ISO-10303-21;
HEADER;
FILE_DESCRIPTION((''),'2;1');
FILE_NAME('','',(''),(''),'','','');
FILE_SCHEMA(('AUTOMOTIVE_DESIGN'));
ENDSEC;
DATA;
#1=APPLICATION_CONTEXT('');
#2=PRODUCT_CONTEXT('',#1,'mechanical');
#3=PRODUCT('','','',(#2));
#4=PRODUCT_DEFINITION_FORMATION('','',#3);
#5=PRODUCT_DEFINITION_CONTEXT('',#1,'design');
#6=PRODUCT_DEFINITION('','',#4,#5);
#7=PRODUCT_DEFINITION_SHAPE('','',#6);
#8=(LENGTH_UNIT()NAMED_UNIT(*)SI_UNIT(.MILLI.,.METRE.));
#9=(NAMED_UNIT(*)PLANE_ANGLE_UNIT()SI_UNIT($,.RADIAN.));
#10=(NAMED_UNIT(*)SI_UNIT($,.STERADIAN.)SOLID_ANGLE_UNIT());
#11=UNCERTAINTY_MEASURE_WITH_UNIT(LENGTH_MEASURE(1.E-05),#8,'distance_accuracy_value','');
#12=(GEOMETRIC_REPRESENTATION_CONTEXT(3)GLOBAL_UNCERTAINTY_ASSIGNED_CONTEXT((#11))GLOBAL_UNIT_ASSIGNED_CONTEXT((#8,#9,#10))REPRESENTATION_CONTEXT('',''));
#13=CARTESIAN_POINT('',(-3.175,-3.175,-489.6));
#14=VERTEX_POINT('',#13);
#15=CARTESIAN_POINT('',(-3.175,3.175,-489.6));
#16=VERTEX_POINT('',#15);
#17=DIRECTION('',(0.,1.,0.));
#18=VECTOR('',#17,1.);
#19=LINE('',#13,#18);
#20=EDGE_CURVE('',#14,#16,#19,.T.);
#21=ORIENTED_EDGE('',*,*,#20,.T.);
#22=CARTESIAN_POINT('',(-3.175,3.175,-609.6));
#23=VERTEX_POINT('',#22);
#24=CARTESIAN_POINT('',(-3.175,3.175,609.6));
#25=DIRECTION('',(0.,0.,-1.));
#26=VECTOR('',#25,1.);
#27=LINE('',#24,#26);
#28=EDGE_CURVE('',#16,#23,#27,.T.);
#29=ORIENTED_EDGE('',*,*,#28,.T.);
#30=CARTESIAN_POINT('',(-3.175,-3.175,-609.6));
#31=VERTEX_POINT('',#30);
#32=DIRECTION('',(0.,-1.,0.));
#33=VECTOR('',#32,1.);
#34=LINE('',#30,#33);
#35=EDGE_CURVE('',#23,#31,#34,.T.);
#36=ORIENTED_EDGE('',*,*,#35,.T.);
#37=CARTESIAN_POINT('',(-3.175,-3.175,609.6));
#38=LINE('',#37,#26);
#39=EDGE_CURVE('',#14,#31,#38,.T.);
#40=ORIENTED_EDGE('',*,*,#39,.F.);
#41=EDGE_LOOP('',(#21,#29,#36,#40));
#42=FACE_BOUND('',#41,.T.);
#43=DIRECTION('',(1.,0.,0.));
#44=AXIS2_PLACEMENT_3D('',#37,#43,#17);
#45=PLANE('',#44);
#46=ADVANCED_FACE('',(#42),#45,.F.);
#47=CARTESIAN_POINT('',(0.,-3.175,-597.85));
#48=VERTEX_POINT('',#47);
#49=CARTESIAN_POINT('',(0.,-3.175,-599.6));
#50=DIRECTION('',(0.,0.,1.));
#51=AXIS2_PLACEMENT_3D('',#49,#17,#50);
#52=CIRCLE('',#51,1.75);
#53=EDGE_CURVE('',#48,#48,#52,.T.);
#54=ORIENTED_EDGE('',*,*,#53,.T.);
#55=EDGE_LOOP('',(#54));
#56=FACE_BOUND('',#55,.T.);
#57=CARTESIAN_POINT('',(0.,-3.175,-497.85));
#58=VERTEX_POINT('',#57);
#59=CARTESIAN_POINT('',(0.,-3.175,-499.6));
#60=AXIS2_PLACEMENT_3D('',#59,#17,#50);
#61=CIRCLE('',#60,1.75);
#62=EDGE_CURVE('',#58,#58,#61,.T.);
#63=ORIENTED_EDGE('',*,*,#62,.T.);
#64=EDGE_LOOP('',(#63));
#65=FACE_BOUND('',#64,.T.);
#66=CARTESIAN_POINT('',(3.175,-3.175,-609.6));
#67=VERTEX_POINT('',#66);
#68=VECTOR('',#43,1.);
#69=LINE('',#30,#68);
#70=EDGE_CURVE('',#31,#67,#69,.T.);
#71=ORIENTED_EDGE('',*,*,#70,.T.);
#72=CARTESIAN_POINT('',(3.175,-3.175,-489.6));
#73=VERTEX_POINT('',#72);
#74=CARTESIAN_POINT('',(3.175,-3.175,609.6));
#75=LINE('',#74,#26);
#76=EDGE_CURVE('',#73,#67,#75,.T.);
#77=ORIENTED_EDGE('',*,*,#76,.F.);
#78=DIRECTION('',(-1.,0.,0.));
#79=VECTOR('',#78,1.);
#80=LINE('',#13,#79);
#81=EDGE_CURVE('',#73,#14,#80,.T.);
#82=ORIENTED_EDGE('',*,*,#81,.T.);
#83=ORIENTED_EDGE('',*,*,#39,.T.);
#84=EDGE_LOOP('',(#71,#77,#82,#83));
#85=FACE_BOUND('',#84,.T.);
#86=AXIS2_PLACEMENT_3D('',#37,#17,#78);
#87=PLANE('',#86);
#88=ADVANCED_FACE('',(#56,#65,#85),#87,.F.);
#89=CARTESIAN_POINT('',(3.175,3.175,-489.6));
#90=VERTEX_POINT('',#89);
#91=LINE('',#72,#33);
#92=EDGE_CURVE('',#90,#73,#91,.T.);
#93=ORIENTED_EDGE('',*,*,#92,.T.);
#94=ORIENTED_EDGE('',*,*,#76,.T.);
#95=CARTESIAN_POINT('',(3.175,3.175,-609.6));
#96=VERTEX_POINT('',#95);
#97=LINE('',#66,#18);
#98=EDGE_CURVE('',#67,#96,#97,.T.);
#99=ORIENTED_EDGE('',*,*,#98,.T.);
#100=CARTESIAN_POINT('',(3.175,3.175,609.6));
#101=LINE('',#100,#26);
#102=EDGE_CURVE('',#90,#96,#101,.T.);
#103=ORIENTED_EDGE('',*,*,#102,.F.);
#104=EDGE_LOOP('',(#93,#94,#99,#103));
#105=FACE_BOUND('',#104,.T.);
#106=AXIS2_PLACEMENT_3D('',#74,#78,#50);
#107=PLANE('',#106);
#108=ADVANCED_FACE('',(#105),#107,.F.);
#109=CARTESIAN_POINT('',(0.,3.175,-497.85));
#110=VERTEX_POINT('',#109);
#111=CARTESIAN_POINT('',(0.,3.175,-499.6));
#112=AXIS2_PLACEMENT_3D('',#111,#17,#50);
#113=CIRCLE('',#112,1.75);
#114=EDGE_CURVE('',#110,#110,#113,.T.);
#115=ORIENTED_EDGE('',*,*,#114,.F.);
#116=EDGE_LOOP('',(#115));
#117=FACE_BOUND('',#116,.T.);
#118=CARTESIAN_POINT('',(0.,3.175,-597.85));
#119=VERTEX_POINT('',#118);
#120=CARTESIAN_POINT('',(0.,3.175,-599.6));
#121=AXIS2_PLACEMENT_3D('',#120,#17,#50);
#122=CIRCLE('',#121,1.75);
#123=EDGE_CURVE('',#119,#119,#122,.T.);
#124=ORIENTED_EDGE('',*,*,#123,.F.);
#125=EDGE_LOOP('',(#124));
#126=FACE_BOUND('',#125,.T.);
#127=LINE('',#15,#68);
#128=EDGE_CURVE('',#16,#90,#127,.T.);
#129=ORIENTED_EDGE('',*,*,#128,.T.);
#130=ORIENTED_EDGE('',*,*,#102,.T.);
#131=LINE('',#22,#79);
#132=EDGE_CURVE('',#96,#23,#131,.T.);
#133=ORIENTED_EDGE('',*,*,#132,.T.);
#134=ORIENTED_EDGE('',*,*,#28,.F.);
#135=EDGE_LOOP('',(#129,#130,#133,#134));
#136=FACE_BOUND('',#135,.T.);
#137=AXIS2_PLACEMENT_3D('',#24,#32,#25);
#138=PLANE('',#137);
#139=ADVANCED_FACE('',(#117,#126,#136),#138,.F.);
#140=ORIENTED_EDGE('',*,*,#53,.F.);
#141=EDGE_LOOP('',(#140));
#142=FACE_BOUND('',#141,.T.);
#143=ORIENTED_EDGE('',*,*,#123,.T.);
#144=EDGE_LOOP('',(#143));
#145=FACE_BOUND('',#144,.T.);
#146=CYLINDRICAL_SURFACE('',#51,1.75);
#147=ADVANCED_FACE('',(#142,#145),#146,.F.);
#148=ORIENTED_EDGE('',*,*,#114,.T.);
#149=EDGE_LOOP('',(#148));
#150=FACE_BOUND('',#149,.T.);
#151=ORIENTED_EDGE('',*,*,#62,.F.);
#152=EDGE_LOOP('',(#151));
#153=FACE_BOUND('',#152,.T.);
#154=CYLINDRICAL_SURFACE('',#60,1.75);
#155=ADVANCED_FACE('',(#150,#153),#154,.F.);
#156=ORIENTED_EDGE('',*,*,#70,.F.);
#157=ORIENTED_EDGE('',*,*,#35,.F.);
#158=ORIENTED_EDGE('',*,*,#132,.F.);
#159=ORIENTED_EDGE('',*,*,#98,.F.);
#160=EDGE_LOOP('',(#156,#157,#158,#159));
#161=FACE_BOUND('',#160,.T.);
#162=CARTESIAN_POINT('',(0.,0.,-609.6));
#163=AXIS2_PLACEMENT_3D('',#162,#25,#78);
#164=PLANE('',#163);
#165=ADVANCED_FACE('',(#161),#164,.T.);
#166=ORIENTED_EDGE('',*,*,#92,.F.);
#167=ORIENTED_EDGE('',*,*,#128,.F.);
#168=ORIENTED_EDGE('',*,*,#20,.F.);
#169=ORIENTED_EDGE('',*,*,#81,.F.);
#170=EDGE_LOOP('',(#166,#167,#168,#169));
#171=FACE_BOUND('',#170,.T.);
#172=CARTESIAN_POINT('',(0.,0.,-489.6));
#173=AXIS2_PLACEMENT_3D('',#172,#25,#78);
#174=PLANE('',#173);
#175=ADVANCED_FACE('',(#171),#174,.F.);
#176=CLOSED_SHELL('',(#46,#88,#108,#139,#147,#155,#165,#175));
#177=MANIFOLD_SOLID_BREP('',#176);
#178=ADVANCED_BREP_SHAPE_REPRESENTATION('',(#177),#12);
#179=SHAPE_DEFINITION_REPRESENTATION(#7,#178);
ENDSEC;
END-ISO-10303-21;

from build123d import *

# Parameters (mm, degrees)
BOSS_EXTRUDE1_DEPTH      = 609.6
BOSS_EXTRUDE1_DEPTH_BACK = 609.6
SKETCH3_W                = 6.35
SKETCH3_H                = 6.35
SKETCH4_W                = 7.35
SKETCH4_H                = 7.35
CUT_EXTRUDE1_DEPTH       = 1100.209170836
SKETCH5_R                = 1.75
CUT_EXTRUDE2_DEPTH       = 610.641339744


with BuildPart() as part:
    # Sketch3 → Boss-Extrude1 (new, two sides: drawn at the far end of the back side and taken through both)
    with BuildSketch(Plane.XY.offset(-BOSS_EXTRUDE1_DEPTH_BACK)):
        Rectangle(SKETCH3_W, SKETCH3_H)
    extrude(amount=BOSS_EXTRUDE1_DEPTH + BOSS_EXTRUDE1_DEPTH_BACK)

    # Sketch4 → Cut-Extrude1 (cut, through all)
    with BuildSketch(Plane(origin=(0, 0, -489.6), x_dir=(-1, 0, 0), z_dir=(0, 0, -1))):
        Rectangle(SKETCH4_W, SKETCH4_H)
    extrude(amount=-CUT_EXTRUDE1_DEPTH, mode=Mode.SUBTRACT)

    # Sketch5 → Cut-Extrude2 (cut, through all)
    with BuildSketch(Plane(origin=(0, 3.175, 0), x_dir=(1, 0, 0), z_dir=(0, 1, 0))):
        with Locations(Location((0, 599.6, 0), (0, 0, 270))):
            Circle(SKETCH5_R)
        with Locations(Location((0, 499.6, 0), (0, 0, 270))):
            Circle(SKETCH5_R)
    extrude(amount=-CUT_EXTRUDE2_DEPTH, mode=Mode.SUBTRACT)


solid = part.part
